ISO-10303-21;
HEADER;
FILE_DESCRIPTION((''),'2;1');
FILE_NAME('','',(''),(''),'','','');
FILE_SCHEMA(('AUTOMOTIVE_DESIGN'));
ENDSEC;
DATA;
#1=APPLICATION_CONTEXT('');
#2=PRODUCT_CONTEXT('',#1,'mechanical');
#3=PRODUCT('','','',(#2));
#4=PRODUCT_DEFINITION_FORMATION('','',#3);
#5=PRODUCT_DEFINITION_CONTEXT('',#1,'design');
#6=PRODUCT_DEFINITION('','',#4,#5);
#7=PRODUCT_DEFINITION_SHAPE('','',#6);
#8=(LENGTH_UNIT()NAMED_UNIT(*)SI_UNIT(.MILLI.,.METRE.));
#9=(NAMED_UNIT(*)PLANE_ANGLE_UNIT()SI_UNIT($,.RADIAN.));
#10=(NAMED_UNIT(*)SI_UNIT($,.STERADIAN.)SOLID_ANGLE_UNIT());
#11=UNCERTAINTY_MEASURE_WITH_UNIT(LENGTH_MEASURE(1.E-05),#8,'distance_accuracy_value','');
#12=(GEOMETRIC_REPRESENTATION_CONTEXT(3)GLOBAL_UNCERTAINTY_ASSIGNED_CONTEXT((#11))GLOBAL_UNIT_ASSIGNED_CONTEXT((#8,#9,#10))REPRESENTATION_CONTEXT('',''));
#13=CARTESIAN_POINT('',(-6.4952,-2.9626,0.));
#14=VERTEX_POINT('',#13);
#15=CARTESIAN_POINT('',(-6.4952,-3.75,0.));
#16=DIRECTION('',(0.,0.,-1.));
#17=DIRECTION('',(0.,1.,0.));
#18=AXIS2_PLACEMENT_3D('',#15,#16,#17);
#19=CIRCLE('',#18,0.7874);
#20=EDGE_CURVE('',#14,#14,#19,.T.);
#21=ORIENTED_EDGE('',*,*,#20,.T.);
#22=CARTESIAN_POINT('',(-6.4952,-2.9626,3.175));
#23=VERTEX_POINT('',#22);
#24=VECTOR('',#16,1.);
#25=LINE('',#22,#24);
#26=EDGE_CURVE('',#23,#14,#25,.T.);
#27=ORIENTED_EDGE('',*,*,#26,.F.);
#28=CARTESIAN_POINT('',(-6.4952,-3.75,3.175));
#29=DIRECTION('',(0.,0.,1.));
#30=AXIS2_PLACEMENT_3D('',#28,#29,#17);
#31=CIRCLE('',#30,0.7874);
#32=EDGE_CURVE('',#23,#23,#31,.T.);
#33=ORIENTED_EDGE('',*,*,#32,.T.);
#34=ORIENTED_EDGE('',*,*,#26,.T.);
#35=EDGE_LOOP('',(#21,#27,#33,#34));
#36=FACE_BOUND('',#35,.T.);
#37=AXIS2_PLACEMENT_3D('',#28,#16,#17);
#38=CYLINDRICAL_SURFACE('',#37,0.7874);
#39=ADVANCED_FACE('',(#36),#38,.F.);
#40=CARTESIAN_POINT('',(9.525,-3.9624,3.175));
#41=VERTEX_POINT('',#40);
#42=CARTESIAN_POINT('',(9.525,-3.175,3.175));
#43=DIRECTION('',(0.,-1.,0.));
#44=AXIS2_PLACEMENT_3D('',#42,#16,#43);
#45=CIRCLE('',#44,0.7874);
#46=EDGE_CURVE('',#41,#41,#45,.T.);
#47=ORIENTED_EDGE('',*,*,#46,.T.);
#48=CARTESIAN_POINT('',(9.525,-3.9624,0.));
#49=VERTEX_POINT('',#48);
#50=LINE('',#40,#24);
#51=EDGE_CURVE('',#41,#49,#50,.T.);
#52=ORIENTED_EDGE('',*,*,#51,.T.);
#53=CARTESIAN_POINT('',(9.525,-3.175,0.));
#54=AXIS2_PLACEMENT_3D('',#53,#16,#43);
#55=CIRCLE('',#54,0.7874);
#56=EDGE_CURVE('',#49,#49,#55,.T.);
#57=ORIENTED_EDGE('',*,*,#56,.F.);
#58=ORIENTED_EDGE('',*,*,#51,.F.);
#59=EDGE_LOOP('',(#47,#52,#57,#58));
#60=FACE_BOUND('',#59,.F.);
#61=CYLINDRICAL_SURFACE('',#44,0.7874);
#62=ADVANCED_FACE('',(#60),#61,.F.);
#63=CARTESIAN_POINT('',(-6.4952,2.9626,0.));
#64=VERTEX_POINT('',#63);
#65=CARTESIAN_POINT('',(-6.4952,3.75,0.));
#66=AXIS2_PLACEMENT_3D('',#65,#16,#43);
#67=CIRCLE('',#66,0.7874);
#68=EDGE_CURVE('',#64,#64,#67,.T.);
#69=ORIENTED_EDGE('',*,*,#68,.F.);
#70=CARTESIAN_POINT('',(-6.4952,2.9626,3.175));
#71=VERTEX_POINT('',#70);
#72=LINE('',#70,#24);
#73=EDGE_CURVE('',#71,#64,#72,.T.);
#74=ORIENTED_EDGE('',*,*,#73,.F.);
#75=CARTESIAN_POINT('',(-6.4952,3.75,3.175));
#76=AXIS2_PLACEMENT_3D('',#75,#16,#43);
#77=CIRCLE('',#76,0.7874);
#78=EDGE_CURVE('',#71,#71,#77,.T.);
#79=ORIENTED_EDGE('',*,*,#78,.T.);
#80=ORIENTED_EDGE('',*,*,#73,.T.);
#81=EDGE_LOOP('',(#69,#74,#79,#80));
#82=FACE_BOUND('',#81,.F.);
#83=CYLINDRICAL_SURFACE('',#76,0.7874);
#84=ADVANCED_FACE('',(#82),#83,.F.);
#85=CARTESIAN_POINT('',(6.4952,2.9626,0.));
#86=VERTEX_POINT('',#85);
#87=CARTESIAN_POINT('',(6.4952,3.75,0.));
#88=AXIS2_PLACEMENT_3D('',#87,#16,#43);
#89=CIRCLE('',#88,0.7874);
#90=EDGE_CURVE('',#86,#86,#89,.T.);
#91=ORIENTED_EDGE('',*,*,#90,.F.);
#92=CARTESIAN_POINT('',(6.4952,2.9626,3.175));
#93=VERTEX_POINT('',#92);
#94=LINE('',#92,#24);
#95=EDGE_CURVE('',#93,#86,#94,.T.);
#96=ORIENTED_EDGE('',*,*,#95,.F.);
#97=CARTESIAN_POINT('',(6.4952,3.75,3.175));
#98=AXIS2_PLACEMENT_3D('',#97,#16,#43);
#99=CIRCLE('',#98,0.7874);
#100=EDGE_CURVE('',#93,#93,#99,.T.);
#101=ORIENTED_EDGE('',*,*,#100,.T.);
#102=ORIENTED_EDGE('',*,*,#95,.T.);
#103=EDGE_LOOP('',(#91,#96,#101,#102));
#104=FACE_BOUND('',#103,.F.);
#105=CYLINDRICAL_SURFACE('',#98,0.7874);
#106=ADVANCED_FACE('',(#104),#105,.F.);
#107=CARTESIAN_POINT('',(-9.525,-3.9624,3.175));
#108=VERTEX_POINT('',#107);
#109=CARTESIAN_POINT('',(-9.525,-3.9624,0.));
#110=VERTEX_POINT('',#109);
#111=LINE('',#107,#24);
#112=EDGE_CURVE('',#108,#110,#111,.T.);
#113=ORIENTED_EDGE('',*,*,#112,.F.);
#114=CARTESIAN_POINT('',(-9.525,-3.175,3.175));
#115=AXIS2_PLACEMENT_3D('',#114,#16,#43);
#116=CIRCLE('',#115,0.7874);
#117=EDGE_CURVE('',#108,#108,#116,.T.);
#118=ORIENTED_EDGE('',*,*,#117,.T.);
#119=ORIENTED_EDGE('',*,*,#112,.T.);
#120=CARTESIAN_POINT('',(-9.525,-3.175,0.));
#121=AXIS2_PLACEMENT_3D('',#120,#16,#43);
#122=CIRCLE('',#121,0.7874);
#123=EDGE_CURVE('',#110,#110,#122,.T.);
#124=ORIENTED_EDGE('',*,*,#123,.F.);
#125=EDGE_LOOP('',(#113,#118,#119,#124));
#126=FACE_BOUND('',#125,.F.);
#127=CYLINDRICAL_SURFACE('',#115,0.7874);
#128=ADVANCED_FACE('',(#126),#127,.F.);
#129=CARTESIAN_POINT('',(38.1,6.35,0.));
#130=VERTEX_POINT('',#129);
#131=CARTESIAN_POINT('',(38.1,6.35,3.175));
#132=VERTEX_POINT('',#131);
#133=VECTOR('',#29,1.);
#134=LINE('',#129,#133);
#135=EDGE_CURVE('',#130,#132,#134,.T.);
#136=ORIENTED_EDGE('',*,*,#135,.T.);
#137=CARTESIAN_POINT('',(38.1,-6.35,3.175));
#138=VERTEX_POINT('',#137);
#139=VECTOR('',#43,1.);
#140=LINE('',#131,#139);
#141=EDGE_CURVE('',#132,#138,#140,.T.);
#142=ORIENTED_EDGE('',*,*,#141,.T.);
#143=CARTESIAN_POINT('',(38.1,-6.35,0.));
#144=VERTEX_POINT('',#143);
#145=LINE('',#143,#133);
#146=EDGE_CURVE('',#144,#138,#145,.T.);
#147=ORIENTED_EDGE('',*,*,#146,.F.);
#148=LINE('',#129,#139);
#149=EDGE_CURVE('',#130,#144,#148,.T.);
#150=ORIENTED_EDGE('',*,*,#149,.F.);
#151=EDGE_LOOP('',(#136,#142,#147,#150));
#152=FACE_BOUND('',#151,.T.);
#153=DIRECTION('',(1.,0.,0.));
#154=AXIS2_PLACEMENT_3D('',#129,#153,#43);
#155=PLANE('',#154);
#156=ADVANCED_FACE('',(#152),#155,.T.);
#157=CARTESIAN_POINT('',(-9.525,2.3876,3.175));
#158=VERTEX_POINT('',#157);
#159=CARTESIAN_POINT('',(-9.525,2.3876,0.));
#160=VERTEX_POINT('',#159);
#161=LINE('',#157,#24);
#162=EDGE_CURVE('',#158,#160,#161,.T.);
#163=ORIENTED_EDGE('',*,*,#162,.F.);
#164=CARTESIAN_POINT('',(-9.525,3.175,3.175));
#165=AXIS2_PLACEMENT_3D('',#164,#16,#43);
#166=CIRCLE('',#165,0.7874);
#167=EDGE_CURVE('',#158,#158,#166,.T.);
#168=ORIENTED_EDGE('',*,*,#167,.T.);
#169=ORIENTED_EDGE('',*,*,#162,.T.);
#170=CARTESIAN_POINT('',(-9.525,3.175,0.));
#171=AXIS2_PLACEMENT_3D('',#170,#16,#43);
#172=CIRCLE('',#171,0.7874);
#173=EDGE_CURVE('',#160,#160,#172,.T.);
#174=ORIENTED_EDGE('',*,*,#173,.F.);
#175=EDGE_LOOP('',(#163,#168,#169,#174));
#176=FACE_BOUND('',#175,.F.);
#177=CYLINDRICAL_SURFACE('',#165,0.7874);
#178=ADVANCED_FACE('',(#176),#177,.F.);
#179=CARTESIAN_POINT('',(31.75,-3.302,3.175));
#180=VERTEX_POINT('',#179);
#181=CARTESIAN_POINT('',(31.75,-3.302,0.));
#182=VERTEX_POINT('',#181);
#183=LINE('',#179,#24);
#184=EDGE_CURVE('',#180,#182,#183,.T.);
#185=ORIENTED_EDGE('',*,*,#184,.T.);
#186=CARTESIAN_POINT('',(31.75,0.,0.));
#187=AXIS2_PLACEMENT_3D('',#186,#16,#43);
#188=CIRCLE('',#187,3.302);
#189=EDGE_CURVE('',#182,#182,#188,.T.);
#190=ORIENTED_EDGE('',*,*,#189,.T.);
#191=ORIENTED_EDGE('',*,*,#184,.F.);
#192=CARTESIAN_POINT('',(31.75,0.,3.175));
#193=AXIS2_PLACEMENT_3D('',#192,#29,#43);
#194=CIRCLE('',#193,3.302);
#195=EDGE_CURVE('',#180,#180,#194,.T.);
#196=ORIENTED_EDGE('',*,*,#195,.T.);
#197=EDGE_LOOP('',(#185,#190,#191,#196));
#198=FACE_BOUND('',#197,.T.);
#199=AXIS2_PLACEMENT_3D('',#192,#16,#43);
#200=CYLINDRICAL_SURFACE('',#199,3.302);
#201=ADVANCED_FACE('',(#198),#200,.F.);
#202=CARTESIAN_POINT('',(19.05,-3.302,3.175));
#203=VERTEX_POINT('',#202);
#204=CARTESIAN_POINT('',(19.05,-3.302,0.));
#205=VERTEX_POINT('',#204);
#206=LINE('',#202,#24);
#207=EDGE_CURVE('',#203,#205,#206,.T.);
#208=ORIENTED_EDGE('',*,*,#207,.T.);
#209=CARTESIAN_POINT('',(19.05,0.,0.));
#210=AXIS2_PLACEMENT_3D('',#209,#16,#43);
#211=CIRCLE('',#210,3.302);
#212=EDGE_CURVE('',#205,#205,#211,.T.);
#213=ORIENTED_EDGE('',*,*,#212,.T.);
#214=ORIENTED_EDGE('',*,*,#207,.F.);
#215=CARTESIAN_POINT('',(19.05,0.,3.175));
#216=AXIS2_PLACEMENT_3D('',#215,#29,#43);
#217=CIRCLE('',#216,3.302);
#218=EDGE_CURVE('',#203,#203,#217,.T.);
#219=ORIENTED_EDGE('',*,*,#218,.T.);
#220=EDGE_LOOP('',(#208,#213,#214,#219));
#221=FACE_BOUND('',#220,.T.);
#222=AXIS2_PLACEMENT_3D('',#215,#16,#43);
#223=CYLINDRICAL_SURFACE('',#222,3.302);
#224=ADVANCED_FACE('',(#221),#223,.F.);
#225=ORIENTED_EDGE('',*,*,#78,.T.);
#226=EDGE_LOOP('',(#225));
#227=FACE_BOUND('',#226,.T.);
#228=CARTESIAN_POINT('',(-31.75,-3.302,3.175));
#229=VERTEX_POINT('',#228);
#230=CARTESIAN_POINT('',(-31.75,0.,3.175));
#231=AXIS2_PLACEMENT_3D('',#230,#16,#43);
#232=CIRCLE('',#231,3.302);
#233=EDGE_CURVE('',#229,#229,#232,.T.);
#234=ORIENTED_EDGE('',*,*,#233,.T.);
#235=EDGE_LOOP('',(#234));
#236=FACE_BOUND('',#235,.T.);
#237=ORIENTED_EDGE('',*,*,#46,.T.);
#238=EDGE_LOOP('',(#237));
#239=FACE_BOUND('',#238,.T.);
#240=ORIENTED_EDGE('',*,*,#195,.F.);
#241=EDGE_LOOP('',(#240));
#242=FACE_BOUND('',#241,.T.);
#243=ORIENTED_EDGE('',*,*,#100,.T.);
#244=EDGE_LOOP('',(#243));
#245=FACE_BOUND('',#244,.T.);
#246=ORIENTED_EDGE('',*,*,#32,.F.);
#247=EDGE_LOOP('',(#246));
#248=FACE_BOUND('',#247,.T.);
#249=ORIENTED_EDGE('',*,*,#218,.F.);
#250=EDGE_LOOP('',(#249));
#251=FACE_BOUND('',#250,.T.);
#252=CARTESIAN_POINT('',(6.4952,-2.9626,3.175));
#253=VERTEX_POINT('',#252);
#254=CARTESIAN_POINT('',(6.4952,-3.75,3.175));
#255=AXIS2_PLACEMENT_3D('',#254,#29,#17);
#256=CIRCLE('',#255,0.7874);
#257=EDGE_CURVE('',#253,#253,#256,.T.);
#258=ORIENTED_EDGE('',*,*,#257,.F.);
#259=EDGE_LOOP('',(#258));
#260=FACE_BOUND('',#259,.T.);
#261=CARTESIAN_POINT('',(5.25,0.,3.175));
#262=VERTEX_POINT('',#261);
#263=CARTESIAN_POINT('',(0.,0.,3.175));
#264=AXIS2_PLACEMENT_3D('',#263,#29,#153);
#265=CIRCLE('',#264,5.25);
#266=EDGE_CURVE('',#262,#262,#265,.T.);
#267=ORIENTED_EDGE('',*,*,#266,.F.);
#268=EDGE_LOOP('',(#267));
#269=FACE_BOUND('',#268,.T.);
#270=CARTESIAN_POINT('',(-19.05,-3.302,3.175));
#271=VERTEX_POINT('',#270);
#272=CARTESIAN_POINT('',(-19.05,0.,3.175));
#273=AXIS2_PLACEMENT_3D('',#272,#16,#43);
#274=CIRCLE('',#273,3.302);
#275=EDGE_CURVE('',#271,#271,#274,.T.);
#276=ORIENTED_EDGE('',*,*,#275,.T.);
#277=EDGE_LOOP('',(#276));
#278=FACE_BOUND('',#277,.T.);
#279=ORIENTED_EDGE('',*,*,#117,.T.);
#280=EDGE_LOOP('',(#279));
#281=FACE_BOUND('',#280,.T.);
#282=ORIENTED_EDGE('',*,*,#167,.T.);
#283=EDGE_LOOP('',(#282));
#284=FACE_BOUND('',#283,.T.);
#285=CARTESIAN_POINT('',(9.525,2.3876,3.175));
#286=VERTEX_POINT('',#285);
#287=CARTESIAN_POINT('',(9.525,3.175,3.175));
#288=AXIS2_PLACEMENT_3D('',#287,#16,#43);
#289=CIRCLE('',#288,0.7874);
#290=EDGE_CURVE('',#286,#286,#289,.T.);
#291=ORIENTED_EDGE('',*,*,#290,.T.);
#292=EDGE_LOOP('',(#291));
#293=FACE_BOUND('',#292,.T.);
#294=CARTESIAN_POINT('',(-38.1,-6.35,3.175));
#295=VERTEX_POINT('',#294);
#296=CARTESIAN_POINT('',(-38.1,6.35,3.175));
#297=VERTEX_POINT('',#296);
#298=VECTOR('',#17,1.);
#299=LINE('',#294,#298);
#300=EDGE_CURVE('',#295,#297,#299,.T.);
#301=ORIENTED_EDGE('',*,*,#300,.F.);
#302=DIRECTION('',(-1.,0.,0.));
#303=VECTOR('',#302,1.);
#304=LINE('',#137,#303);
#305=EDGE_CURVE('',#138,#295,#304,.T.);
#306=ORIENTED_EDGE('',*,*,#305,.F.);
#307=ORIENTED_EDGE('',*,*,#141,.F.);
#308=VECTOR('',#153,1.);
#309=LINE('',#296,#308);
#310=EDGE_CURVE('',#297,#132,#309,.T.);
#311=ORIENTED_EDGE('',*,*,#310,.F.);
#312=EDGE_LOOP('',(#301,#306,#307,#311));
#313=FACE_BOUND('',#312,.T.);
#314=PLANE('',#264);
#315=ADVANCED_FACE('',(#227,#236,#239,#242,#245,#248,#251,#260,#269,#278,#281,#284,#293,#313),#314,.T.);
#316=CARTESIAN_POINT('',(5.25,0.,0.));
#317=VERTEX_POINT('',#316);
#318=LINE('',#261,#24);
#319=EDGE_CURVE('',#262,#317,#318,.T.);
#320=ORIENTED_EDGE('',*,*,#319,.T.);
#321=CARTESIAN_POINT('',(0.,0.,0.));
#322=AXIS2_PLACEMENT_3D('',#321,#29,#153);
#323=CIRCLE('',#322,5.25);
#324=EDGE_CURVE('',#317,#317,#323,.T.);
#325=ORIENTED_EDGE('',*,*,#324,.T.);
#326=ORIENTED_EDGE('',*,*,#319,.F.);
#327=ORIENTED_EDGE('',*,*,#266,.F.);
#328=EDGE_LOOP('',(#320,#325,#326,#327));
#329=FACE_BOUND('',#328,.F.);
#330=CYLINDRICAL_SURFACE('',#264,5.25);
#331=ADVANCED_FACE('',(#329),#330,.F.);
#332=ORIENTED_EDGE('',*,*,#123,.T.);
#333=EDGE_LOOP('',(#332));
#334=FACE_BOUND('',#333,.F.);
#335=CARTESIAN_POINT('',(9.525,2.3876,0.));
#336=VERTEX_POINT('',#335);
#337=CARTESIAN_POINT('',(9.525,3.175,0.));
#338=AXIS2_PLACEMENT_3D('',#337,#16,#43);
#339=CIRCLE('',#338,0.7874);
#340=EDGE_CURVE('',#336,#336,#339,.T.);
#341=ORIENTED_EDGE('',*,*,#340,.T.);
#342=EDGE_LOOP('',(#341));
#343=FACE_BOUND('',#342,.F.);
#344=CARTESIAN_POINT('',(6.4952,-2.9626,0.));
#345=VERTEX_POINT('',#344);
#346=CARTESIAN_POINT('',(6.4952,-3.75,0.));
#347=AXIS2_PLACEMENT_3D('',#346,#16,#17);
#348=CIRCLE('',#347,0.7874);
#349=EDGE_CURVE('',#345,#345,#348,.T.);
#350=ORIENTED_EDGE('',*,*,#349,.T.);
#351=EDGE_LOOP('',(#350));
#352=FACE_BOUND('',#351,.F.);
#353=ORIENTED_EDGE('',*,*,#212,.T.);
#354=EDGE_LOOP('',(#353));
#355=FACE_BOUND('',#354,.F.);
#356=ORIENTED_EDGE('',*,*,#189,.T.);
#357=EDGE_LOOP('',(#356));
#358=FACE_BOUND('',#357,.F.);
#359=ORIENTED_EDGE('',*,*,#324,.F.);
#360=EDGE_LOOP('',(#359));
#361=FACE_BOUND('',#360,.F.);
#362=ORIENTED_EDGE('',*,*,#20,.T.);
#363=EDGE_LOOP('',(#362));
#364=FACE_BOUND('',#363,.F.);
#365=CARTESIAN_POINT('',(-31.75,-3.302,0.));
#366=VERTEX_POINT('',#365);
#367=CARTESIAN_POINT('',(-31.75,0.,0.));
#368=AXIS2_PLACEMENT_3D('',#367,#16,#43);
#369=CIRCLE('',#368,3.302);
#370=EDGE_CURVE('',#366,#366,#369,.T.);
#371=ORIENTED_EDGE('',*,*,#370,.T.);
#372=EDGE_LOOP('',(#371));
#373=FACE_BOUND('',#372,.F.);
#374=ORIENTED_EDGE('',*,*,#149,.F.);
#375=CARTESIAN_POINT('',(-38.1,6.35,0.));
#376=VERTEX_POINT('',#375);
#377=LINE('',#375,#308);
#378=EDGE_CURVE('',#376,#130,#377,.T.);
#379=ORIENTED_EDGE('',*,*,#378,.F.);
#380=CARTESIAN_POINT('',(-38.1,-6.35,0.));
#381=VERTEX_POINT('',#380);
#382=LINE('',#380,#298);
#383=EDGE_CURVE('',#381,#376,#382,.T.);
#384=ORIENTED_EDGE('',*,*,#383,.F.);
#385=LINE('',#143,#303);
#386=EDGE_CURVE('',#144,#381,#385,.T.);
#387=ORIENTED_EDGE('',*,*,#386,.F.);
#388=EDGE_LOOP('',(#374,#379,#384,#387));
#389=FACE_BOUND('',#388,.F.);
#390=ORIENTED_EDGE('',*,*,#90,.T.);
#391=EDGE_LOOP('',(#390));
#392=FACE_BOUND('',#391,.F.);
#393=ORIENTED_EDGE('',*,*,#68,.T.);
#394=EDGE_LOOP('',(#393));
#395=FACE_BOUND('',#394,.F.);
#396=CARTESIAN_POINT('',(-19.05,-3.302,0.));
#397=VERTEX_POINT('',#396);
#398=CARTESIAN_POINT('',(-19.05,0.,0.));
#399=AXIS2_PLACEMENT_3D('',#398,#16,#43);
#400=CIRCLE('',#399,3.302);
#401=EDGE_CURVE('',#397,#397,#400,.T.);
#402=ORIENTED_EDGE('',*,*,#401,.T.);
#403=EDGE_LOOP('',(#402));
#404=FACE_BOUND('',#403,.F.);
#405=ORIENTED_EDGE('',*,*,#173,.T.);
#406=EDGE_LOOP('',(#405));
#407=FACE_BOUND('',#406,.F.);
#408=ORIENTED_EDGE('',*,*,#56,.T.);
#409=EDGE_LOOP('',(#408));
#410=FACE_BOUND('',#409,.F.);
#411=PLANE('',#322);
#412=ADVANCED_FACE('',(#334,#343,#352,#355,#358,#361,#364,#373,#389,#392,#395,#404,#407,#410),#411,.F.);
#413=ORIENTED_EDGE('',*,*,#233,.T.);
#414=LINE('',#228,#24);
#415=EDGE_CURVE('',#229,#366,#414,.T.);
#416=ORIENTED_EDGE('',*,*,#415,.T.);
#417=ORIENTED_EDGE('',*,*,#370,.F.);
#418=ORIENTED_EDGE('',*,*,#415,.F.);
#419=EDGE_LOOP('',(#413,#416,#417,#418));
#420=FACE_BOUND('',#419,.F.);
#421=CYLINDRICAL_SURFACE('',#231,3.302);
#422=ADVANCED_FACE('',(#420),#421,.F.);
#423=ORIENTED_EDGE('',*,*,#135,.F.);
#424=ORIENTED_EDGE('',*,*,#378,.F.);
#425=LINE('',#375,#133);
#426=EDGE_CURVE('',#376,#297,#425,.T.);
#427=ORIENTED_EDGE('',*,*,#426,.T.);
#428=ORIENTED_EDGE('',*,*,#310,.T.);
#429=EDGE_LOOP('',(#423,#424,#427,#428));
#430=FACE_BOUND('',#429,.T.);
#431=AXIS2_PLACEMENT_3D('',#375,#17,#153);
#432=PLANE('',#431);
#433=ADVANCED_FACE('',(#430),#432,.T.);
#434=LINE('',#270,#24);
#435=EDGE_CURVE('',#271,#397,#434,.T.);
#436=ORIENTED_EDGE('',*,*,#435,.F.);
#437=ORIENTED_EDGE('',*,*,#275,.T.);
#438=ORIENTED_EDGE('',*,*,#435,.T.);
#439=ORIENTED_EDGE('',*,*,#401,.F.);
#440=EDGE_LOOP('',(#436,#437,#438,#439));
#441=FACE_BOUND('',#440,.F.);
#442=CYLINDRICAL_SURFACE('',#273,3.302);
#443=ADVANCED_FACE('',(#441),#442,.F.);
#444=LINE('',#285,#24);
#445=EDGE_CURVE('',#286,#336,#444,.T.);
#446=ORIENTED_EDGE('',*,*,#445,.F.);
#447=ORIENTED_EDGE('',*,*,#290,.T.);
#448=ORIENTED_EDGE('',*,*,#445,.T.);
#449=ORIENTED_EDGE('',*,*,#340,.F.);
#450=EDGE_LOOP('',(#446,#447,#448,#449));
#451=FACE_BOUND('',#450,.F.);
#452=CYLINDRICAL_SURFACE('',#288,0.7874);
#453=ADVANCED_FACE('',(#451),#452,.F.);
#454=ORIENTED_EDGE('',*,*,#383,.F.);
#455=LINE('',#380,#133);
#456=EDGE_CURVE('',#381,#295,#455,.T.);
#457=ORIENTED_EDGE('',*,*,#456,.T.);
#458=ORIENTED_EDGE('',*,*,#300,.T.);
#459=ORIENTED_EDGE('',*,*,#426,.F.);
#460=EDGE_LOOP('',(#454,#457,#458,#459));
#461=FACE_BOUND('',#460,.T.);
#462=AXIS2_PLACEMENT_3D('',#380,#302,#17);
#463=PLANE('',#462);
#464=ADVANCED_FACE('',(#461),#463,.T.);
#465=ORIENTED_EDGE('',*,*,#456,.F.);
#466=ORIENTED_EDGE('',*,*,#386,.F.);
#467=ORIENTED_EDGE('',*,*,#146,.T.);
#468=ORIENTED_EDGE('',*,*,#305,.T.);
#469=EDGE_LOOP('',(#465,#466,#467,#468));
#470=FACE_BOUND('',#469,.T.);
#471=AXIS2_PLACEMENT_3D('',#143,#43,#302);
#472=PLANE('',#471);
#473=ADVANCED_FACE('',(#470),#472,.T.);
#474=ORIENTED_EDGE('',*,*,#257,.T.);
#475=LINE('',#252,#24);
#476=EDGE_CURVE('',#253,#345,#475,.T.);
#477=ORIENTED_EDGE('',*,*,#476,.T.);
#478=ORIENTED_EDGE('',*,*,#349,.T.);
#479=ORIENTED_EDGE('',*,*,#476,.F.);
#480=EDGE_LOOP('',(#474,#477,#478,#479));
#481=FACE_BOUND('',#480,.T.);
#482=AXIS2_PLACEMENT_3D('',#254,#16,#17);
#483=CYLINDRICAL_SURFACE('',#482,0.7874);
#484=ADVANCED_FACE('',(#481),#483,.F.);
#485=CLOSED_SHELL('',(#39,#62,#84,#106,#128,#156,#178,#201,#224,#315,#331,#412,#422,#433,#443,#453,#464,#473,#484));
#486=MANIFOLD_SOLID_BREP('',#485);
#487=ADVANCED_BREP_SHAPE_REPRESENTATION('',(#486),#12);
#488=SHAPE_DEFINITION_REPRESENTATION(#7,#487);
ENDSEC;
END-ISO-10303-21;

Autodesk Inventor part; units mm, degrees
ref_plane "YZ Plane" through (0, 0, 0) normal (1, 0, 0) x (0, 1, 0)
sketch "Sketch1" plane through (0, 0, 0) normal (0, 0, 1) x (1, 0, 0)
  circle A0 centre (0, 0) radius 6.477 construction
  circle A1 centre (0, 0) radius 4.75 construction
  circle A2 centre (0, 0) radius 9.525 construction
  line L0 (-38.1, -6.35) -> (38.1, -6.35) construction
  line L1 (38.1, -6.35) -> (38.1, 6.35) construction
  line L2 (38.1, 6.35) -> (-38.1, 6.35) construction
  line L3 (-38.1, 6.35) -> (-38.1, -6.35) construction
  line L4 (-38.1, 6.35) -> (38.1, 6.35)
  line L5 (38.1, 6.35) -> (38.1, -6.35)
  line L6 (38.1, -6.35) -> (-38.1, -6.35)
  line L7 (-38.1, -6.35) -> (-38.1, 6.35)
  dimension "d0" = 12.954
  dimension "d1" = 9.5
  dimension "d2" = 19.05
  dimension "d3" = 76.2
  dimension "d4" = 12.7
extrude "Extrusion1" add sketch "Sketch1" along normal blind 3.175
sketch "Sketch2" plane through (0, 0, 3.175) normal (0, 0, 1) x (1, 0, 0)
  circle A0 centre (0, 0) radius 5.25
  dimension "d7" = 10.5
extrude "Extrusion2" cut sketch "Sketch2" against normal through all
sketch "Sketch4" plane through (0, 0, 3.175) normal (0, 0, 1) x (1, 0, 0)
  circle A0 centre (0, 0) radius 5.25 projected
  circle A1 centre (0, 0) radius 7.5 construction
  arc A2 (6.4952, 3.75) -> (-6.4952, 3.75) centre (0, 0) ccw construction
  line L0 (0, 0) -> (6.4952, 3.75) construction
  line L1 (0, 0) -> (7.5, 0) construction
  line L2 (0, 0) -> (-6.4952, 3.75) construction
  point P0 (6.4952, 3.75)
  dimension "d13" = 15
  dimension "d14" = 30
  dimension "d15" = 120
hole "Hole1" at (-6.4952, 3.75, 3.175) at (6.4952, 3.75, 3.175) direction (0, 0, -1) diameter 1.5748 end through all
sketch "Sketch5" plane through (0, 0, 3.175) normal (0, 0, 1) x (1, 0, 0)
  circle A0 centre (6.4952, 3.75) radius 0.7874 projected
  circle A1 centre (-6.4952, 3.75) radius 0.7874 projected
  circle A2 centre (0, 0) radius 5.25 projected
  line L0 (38.1, -6.35) -> (-38.1, -6.35) projected
  line L1 (38.1, 6.35) -> (38.1, -6.35) projected
  line L2 (-38.1, 6.35) -> (38.1, 6.35) projected
  line L3 (-38.1, -6.35) -> (-38.1, 6.35) projected
  line L4 (-30.9265, 0) -> (29.6642, 0) construction
ref_plane "Work Plane1" through (-30.9265, 0, 3.175) normal (0, -1, 0) x (1, 0, 0)
mirror "Mirror1" about plane through (-30.9265, 0, 3.175) normal (0, -1, 0) of "Hole1"
sketch "Sketch6" plane through (0, 0, 3.175) normal (0, 0, 1) x (1, 0, 0)
  point P0 (-31.75, 0)
  point P1 (-19.05, 0)
hole "Hole2" at (-31.75, 0, 3.175) at (-19.05, 0, 3.175) direction (0, 0, -1) diameter 6.604 end through all clearance for "Flat Head Machine Screw" size "M6" standard "Ansi Metric M Profile"
sketch "Sketch7" plane through (0, 0, 3.175) normal (0, 0, 1) x (1, 0, 0)
  circle A0 centre (-19.05, 0) radius 3.302 projected
  circle A1 centre (-31.75, 0) radius 3.302 projected
  circle A2 centre (6.4952, -3.75) radius 0.7874 projected
  circle A3 centre (-6.4952, -3.75) radius 0.7874 projected
  circle A4 centre (6.4952, 3.75) radius 0.7874 projected
  circle A5 centre (-6.4952, 3.75) radius 0.7874 projected
  circle A6 centre (0, 0) radius 5.25 projected
  line L0 (38.1, -6.35) -> (-38.1, -6.35) projected
  line L1 (38.1, 6.35) -> (38.1, -6.35) projected
  line L2 (-38.1, 6.35) -> (38.1, 6.35) projected
  line L3 (-38.1, -6.35) -> (-38.1, 6.35) projected
  line L4 (0, 12.6269) -> (0, -12.6269) construction
ref_plane "Work Plane2" through (0, 12.6269, 3.175) normal (-1, 0, 0) x (0, -1, 0)
mirror "Mirror2" about plane through (0, 12.6269, 3.175) normal (-1, 0, 0) of "Hole2"
sketch "Sketch8" plane through (0, 0, 3.175) normal (0, 0, 1) x (1, 0, 0)
  point P0 (-9.525, -3.175)
  point P1 (-9.525, 3.175)
  point P2 (9.525, 3.175)
  point P3 (9.525, -3.175)
hole "Hole3" at (-9.525, 3.175, 3.175) at (-9.525, -3.175, 3.175) at (9.525, -3.175, 3.175) at (9.525, 3.175, 3.175) direction (0, 0, -1) diameter 1.5748 end through all
properties part number "simple_chuck"
